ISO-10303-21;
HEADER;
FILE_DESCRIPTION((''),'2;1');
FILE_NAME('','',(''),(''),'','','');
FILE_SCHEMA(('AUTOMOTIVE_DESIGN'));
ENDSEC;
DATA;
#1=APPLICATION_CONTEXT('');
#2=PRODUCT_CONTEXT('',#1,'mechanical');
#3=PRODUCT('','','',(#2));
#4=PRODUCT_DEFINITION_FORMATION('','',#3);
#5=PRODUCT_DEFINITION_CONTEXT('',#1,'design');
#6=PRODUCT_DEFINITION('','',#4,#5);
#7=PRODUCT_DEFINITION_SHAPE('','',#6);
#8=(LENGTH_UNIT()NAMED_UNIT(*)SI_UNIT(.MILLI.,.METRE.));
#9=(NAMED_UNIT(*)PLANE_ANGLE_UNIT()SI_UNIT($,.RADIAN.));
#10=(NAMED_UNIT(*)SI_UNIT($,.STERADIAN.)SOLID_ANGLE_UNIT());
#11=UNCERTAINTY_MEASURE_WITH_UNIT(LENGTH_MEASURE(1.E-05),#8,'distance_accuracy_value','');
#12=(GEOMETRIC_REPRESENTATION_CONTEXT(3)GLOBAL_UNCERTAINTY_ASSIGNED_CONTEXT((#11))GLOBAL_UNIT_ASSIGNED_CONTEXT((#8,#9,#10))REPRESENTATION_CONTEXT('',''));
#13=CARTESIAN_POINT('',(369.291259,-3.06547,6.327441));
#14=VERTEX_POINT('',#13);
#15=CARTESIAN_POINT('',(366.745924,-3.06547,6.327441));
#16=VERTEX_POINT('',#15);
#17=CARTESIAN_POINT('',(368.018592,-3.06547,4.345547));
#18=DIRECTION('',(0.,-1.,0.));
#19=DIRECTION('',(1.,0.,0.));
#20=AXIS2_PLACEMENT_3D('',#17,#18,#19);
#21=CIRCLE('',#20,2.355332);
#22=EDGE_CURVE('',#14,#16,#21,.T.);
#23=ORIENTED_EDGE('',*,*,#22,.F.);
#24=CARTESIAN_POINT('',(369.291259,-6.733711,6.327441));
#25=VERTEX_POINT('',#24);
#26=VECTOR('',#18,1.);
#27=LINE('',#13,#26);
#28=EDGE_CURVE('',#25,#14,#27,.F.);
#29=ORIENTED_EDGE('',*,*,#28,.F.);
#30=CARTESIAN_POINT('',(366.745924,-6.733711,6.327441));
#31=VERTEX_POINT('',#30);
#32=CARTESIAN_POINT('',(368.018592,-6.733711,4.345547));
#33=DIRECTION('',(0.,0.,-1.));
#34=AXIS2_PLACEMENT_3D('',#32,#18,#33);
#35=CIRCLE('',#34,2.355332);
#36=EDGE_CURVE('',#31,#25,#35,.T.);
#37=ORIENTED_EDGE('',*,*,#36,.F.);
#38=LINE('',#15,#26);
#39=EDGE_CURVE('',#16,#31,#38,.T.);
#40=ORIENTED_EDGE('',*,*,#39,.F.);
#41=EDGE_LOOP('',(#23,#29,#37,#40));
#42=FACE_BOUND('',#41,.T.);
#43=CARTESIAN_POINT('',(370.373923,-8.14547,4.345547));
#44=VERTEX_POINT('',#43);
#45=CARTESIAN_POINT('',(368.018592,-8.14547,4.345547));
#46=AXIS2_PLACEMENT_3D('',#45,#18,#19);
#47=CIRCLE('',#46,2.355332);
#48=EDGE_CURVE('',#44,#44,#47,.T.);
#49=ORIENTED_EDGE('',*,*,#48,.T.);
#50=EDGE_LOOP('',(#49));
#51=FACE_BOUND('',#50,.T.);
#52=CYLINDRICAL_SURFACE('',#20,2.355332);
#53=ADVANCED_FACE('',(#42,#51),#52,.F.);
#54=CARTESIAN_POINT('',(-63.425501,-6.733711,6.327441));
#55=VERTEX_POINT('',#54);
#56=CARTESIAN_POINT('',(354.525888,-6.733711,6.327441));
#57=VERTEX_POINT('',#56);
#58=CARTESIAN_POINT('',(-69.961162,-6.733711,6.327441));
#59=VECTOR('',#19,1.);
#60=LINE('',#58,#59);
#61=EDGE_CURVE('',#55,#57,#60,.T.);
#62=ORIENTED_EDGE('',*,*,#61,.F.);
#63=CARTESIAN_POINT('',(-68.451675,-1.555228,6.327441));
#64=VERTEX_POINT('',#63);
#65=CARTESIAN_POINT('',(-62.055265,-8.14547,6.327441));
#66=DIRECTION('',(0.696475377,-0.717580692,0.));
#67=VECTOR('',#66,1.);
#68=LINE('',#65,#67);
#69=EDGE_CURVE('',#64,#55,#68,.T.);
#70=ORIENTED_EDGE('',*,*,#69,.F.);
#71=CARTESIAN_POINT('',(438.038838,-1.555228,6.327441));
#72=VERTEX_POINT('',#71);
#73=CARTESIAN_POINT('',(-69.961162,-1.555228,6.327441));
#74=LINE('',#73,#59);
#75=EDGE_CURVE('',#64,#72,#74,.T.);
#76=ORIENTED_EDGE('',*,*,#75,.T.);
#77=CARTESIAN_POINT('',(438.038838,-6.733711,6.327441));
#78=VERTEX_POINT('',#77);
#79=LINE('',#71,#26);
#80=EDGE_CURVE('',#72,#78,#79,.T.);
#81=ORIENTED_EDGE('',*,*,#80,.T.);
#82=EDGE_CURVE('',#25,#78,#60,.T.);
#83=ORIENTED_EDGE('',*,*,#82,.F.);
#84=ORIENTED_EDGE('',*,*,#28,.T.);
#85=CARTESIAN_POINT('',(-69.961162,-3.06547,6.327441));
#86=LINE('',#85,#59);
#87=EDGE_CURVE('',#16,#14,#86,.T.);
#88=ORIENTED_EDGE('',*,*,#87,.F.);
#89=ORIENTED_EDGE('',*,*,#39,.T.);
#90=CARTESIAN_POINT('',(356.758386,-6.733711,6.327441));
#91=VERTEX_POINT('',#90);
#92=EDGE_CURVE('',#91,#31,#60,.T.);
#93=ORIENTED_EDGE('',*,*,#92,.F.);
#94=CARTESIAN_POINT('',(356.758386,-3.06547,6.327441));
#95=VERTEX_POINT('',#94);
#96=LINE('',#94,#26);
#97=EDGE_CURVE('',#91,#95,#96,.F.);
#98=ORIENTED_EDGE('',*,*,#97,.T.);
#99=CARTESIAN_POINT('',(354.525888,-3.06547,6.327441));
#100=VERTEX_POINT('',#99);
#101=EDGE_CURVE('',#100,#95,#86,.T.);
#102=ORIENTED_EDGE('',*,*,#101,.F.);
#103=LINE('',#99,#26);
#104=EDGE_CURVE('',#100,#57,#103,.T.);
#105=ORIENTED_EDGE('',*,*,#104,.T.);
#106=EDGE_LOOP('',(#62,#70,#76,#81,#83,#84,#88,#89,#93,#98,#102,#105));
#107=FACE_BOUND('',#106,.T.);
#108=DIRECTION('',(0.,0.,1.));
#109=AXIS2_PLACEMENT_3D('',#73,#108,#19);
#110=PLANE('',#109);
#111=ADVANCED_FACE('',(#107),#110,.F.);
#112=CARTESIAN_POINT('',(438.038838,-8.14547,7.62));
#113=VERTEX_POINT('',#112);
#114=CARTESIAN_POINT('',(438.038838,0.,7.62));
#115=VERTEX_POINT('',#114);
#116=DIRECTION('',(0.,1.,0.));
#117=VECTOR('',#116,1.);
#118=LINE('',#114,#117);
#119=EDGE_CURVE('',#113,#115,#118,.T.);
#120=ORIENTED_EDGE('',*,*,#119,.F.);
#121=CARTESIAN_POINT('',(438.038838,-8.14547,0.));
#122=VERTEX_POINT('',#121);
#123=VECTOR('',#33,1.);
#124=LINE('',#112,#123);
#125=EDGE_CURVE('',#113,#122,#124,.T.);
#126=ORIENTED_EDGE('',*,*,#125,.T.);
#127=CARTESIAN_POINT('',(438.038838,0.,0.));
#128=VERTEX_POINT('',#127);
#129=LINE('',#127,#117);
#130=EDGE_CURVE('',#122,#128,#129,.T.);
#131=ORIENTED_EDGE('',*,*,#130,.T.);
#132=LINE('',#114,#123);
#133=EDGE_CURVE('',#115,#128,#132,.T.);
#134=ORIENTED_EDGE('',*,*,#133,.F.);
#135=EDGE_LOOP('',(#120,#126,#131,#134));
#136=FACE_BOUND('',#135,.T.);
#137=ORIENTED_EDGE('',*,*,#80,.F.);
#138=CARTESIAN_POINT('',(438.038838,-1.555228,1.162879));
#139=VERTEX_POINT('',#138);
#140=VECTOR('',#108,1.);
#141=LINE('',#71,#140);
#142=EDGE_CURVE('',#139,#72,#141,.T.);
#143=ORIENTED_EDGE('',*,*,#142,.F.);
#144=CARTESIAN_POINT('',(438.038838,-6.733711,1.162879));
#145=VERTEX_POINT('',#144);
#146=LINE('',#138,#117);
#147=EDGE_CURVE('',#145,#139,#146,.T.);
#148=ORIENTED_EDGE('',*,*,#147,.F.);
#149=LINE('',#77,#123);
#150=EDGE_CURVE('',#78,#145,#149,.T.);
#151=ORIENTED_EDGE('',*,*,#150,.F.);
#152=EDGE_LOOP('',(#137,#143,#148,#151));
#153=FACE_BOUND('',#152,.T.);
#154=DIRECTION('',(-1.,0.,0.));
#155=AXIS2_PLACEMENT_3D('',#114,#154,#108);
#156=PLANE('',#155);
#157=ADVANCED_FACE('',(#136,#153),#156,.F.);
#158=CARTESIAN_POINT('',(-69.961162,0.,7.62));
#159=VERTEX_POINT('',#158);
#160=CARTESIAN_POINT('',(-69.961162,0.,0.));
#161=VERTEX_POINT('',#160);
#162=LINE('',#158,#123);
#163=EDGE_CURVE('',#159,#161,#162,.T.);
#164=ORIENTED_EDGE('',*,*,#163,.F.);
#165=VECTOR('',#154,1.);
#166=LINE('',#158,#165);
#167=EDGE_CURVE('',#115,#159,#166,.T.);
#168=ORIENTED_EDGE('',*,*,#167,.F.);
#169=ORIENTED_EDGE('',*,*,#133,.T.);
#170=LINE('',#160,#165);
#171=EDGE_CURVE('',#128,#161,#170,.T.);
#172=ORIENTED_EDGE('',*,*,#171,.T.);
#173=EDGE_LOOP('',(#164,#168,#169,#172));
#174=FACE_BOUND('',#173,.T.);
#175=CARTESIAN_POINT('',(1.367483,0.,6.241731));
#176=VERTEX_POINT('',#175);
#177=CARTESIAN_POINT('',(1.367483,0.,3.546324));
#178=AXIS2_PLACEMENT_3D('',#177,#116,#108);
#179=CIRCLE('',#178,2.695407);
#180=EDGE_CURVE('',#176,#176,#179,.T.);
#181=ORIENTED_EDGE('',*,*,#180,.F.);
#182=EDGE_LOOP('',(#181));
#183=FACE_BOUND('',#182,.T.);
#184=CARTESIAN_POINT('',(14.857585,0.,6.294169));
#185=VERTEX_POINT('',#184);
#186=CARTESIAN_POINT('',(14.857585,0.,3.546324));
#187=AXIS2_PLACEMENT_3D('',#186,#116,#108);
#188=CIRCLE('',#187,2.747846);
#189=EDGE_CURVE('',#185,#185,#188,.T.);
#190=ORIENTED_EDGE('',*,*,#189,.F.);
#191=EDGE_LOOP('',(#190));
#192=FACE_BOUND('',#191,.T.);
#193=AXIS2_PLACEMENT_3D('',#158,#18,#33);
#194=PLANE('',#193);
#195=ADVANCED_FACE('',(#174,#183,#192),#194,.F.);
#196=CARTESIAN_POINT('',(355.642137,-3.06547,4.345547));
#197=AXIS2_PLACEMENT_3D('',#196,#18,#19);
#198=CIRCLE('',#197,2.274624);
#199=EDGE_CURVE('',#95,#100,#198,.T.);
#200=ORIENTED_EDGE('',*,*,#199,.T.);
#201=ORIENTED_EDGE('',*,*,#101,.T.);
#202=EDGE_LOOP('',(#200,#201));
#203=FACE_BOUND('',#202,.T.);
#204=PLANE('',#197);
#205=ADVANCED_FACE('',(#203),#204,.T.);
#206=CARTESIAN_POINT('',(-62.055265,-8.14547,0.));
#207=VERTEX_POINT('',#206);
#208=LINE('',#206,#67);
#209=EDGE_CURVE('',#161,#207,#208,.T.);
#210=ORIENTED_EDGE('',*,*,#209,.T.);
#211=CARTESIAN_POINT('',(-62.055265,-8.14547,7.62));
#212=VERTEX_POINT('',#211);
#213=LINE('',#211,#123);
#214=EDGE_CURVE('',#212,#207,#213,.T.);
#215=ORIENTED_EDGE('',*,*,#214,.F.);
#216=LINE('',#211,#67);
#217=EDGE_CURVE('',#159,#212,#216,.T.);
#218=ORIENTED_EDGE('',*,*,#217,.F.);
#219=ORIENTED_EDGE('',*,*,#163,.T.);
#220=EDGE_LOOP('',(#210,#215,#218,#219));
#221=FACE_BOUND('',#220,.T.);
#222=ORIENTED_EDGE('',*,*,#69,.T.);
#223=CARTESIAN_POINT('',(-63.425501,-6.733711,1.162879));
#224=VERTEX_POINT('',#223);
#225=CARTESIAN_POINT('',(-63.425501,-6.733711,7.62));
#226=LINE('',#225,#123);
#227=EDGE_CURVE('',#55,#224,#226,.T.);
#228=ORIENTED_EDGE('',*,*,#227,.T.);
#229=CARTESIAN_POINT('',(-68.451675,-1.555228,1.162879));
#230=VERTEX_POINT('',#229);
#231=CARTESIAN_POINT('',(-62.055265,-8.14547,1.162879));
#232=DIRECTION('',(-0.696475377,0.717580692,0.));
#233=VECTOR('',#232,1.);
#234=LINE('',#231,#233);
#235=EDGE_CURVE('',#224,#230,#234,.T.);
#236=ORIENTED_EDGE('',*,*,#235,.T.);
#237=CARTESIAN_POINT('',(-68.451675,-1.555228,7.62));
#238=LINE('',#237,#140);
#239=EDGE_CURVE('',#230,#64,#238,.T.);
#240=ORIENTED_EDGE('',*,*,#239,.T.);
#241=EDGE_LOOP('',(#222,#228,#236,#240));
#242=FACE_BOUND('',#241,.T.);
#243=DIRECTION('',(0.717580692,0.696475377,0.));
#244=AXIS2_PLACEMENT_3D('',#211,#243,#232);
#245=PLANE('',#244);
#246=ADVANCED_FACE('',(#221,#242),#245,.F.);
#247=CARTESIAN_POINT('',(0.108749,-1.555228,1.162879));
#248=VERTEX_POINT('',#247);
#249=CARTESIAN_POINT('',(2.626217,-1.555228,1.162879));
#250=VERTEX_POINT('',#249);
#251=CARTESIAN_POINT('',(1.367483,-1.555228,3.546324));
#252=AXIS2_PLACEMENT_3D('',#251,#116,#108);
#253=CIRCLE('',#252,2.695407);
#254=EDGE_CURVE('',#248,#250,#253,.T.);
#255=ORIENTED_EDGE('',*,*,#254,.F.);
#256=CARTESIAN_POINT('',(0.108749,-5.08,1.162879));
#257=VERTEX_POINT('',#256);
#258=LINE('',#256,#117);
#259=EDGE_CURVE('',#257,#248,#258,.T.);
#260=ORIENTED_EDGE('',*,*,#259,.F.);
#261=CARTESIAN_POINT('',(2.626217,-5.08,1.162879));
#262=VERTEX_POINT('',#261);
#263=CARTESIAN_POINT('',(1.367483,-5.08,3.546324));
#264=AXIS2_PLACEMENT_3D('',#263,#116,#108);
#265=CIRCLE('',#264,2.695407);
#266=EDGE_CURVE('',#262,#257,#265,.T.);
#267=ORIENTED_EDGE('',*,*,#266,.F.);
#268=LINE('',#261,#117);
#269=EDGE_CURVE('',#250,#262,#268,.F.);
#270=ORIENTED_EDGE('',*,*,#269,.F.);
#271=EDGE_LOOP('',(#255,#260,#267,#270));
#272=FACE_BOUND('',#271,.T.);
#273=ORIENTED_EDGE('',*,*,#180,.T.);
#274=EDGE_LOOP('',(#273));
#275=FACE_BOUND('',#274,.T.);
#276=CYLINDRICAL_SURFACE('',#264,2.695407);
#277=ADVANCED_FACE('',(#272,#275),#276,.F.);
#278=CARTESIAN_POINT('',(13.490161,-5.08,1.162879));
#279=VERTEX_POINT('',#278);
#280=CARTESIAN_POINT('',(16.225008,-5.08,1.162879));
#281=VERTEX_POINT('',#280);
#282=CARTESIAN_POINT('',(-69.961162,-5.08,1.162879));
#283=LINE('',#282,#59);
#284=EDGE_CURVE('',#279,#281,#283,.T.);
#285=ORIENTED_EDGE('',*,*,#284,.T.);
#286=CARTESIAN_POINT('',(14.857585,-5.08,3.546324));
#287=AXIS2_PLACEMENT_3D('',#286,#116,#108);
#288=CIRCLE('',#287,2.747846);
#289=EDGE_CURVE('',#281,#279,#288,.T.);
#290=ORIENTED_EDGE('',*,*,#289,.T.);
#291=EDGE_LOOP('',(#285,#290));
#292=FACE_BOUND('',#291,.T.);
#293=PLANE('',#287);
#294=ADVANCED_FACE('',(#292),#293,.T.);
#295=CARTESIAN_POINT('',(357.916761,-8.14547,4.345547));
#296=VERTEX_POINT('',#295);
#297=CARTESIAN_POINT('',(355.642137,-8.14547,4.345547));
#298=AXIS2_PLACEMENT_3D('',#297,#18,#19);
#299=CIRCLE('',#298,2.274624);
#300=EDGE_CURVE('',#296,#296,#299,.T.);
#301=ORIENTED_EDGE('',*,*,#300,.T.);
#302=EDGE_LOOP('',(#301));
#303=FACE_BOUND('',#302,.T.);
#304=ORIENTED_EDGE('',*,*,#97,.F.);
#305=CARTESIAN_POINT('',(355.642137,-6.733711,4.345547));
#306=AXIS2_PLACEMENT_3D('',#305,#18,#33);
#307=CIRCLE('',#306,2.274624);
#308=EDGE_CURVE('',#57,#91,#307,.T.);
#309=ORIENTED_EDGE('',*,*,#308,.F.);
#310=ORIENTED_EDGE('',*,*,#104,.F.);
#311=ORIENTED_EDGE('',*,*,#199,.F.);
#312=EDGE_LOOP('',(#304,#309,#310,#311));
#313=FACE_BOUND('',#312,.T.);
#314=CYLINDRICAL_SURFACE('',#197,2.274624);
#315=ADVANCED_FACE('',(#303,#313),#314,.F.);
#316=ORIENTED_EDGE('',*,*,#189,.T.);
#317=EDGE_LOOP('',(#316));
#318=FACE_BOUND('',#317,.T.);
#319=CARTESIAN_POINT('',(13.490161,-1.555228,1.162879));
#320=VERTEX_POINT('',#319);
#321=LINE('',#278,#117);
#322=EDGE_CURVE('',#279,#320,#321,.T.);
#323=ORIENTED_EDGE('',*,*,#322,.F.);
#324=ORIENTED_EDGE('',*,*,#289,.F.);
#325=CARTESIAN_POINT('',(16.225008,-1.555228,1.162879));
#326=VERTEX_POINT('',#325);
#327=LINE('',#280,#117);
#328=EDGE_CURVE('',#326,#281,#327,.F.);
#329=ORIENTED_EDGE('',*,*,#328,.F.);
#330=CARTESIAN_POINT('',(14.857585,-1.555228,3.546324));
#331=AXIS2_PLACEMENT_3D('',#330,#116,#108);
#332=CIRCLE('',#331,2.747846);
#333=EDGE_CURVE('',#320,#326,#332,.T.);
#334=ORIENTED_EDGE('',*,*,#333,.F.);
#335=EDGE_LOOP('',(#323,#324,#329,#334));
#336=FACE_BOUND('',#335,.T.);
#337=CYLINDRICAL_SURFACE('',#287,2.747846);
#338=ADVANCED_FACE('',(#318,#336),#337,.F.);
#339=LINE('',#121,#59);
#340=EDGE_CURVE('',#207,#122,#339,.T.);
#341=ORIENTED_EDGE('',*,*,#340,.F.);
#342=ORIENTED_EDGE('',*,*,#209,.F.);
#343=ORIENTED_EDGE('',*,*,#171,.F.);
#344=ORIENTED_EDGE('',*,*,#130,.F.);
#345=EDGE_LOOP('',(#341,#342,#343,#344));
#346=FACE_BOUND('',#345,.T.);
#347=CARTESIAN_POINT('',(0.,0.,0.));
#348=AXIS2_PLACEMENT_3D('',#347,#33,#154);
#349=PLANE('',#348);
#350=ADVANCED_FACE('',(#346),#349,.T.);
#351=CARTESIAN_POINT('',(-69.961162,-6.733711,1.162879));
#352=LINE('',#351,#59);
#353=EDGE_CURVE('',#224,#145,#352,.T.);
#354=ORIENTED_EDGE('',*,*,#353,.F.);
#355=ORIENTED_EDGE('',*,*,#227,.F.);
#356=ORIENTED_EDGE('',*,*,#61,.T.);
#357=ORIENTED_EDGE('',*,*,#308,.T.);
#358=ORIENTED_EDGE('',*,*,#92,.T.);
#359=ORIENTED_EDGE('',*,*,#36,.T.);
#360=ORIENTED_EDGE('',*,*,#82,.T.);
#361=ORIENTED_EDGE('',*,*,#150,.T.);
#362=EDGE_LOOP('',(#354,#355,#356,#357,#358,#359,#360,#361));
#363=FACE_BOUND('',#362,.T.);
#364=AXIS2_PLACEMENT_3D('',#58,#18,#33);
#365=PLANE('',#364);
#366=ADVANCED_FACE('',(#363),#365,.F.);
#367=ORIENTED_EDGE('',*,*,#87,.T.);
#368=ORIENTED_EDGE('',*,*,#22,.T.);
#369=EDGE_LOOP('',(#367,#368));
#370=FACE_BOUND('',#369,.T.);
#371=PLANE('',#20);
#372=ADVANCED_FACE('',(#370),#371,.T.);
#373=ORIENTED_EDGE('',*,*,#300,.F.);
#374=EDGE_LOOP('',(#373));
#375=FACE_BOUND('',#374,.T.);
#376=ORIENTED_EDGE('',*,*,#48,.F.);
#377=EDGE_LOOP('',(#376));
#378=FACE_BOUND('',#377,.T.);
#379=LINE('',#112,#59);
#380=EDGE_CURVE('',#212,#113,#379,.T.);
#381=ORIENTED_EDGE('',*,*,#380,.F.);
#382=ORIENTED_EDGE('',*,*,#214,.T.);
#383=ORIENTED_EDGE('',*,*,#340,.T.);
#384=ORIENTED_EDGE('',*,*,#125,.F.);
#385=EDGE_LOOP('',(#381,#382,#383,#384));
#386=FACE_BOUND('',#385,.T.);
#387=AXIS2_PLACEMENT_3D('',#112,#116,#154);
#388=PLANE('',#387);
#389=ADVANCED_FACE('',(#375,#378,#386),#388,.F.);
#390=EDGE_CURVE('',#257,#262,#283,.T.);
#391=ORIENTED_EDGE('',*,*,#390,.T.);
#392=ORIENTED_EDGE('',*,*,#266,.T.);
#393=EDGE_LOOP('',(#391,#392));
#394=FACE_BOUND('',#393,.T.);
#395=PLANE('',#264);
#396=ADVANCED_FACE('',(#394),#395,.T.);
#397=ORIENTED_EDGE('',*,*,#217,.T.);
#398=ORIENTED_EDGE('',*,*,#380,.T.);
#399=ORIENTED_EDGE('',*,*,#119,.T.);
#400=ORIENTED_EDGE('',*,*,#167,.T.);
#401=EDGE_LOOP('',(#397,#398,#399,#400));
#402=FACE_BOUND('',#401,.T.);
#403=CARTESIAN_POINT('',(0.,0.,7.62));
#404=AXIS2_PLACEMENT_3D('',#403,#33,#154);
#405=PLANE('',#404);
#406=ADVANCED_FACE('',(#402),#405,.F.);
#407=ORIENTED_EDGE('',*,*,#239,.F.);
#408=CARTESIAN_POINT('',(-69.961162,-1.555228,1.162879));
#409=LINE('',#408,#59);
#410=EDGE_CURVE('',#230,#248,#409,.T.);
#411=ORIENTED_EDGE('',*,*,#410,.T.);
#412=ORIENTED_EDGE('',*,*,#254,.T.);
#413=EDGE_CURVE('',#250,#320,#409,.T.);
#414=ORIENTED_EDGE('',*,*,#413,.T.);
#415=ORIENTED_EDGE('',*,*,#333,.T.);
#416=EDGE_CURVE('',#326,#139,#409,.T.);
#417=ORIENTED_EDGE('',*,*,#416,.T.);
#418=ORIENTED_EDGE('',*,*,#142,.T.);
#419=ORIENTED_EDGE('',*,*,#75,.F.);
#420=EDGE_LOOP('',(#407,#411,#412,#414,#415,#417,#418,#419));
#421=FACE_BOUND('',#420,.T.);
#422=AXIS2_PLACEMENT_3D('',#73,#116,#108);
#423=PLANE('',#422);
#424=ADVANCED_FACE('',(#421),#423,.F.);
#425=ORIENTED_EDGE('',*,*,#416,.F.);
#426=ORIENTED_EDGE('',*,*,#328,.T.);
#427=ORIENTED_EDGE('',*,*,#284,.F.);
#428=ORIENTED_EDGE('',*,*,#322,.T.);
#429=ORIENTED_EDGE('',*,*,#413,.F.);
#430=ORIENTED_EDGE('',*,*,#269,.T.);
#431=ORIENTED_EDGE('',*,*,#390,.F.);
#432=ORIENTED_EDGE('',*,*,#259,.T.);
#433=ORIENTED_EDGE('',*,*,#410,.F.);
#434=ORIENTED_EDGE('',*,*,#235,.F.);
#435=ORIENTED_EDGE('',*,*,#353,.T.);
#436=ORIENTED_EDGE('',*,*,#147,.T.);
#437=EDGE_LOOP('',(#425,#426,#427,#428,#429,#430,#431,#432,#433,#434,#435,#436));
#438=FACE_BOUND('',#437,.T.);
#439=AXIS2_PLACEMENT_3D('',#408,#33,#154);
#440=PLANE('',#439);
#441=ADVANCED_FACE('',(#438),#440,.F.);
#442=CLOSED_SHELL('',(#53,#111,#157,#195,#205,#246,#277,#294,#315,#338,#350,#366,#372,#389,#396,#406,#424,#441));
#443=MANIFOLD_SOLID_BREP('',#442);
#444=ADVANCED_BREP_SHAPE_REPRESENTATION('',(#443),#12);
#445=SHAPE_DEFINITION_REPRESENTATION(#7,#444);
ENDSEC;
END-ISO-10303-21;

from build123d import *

# Parameters (mm, degrees)
BOSS_EXTRUDE1_DEPTH = 7.62
SKETCH3_W           = 5.16456173
SKETCH3_H           = 5.178482382
CUT_EXTRUDE2_DEPTH  = 509.122439065
SKETCH4_R           = 2.695407271
SKETCH4_R_2         = 2.747845639
CUT_EXTRUDE3_DEPTH  = 5.08
SKETCH5_R           = 2.274624141
SKETCH5_R_2         = 2.355331531
CUT_EXTRUDE4_DEPTH  = 5.08


with BuildPart() as part:
    # Sketch1 → Boss-Extrude1 (new body)
    with BuildSketch(Plane.XY):
        Polygon((-69.961161881, 0), (438.038838119, 0), (438.038838119, -8.14546996), (-62.055264567, -8.14546996), align=None)
    extrude(amount=BOSS_EXTRUDE1_DEPTH)

    # Sketch3 → Cut-Extrude2 (cut, through all)
    with BuildSketch(Plane(origin=(438.038838119, 0, 0), x_dir=(0, 0, -1), z_dir=(1, 0, 0))):
        with Locations((-3.745160102, -4.144469612)):
            Rectangle(SKETCH3_W, SKETCH3_H)
    extrude(amount=-CUT_EXTRUDE2_DEPTH, mode=Mode.SUBTRACT)

    # Sketch4 → Cut-Extrude3 (cut)
    with BuildSketch(Plane(origin=(0, 0, 0), x_dir=(1, 0, 0), z_dir=(0, 1, 0))):
        with Locations(Location((1.367483079, -3.546323854, 0), (0, 0, 270))):
            Circle(SKETCH4_R)
        with Locations(Location((14.857584748, -3.546323854, 0), (0, 0, 270))):
            Circle(SKETCH4_R_2)
    extrude(amount=-CUT_EXTRUDE3_DEPTH, mode=Mode.SUBTRACT)

    # Sketch5 → Cut-Extrude4 (cut)
    with BuildSketch(Plane.XZ.offset(8.14546996)):
        with Locations((355.642137029, 4.345547061)):
            Circle(SKETCH5_R)
        with Locations((368.018591587, 4.345547061)):
            Circle(SKETCH5_R_2)
    extrude(amount=-CUT_EXTRUDE4_DEPTH, mode=Mode.SUBTRACT)


solid = part.part
